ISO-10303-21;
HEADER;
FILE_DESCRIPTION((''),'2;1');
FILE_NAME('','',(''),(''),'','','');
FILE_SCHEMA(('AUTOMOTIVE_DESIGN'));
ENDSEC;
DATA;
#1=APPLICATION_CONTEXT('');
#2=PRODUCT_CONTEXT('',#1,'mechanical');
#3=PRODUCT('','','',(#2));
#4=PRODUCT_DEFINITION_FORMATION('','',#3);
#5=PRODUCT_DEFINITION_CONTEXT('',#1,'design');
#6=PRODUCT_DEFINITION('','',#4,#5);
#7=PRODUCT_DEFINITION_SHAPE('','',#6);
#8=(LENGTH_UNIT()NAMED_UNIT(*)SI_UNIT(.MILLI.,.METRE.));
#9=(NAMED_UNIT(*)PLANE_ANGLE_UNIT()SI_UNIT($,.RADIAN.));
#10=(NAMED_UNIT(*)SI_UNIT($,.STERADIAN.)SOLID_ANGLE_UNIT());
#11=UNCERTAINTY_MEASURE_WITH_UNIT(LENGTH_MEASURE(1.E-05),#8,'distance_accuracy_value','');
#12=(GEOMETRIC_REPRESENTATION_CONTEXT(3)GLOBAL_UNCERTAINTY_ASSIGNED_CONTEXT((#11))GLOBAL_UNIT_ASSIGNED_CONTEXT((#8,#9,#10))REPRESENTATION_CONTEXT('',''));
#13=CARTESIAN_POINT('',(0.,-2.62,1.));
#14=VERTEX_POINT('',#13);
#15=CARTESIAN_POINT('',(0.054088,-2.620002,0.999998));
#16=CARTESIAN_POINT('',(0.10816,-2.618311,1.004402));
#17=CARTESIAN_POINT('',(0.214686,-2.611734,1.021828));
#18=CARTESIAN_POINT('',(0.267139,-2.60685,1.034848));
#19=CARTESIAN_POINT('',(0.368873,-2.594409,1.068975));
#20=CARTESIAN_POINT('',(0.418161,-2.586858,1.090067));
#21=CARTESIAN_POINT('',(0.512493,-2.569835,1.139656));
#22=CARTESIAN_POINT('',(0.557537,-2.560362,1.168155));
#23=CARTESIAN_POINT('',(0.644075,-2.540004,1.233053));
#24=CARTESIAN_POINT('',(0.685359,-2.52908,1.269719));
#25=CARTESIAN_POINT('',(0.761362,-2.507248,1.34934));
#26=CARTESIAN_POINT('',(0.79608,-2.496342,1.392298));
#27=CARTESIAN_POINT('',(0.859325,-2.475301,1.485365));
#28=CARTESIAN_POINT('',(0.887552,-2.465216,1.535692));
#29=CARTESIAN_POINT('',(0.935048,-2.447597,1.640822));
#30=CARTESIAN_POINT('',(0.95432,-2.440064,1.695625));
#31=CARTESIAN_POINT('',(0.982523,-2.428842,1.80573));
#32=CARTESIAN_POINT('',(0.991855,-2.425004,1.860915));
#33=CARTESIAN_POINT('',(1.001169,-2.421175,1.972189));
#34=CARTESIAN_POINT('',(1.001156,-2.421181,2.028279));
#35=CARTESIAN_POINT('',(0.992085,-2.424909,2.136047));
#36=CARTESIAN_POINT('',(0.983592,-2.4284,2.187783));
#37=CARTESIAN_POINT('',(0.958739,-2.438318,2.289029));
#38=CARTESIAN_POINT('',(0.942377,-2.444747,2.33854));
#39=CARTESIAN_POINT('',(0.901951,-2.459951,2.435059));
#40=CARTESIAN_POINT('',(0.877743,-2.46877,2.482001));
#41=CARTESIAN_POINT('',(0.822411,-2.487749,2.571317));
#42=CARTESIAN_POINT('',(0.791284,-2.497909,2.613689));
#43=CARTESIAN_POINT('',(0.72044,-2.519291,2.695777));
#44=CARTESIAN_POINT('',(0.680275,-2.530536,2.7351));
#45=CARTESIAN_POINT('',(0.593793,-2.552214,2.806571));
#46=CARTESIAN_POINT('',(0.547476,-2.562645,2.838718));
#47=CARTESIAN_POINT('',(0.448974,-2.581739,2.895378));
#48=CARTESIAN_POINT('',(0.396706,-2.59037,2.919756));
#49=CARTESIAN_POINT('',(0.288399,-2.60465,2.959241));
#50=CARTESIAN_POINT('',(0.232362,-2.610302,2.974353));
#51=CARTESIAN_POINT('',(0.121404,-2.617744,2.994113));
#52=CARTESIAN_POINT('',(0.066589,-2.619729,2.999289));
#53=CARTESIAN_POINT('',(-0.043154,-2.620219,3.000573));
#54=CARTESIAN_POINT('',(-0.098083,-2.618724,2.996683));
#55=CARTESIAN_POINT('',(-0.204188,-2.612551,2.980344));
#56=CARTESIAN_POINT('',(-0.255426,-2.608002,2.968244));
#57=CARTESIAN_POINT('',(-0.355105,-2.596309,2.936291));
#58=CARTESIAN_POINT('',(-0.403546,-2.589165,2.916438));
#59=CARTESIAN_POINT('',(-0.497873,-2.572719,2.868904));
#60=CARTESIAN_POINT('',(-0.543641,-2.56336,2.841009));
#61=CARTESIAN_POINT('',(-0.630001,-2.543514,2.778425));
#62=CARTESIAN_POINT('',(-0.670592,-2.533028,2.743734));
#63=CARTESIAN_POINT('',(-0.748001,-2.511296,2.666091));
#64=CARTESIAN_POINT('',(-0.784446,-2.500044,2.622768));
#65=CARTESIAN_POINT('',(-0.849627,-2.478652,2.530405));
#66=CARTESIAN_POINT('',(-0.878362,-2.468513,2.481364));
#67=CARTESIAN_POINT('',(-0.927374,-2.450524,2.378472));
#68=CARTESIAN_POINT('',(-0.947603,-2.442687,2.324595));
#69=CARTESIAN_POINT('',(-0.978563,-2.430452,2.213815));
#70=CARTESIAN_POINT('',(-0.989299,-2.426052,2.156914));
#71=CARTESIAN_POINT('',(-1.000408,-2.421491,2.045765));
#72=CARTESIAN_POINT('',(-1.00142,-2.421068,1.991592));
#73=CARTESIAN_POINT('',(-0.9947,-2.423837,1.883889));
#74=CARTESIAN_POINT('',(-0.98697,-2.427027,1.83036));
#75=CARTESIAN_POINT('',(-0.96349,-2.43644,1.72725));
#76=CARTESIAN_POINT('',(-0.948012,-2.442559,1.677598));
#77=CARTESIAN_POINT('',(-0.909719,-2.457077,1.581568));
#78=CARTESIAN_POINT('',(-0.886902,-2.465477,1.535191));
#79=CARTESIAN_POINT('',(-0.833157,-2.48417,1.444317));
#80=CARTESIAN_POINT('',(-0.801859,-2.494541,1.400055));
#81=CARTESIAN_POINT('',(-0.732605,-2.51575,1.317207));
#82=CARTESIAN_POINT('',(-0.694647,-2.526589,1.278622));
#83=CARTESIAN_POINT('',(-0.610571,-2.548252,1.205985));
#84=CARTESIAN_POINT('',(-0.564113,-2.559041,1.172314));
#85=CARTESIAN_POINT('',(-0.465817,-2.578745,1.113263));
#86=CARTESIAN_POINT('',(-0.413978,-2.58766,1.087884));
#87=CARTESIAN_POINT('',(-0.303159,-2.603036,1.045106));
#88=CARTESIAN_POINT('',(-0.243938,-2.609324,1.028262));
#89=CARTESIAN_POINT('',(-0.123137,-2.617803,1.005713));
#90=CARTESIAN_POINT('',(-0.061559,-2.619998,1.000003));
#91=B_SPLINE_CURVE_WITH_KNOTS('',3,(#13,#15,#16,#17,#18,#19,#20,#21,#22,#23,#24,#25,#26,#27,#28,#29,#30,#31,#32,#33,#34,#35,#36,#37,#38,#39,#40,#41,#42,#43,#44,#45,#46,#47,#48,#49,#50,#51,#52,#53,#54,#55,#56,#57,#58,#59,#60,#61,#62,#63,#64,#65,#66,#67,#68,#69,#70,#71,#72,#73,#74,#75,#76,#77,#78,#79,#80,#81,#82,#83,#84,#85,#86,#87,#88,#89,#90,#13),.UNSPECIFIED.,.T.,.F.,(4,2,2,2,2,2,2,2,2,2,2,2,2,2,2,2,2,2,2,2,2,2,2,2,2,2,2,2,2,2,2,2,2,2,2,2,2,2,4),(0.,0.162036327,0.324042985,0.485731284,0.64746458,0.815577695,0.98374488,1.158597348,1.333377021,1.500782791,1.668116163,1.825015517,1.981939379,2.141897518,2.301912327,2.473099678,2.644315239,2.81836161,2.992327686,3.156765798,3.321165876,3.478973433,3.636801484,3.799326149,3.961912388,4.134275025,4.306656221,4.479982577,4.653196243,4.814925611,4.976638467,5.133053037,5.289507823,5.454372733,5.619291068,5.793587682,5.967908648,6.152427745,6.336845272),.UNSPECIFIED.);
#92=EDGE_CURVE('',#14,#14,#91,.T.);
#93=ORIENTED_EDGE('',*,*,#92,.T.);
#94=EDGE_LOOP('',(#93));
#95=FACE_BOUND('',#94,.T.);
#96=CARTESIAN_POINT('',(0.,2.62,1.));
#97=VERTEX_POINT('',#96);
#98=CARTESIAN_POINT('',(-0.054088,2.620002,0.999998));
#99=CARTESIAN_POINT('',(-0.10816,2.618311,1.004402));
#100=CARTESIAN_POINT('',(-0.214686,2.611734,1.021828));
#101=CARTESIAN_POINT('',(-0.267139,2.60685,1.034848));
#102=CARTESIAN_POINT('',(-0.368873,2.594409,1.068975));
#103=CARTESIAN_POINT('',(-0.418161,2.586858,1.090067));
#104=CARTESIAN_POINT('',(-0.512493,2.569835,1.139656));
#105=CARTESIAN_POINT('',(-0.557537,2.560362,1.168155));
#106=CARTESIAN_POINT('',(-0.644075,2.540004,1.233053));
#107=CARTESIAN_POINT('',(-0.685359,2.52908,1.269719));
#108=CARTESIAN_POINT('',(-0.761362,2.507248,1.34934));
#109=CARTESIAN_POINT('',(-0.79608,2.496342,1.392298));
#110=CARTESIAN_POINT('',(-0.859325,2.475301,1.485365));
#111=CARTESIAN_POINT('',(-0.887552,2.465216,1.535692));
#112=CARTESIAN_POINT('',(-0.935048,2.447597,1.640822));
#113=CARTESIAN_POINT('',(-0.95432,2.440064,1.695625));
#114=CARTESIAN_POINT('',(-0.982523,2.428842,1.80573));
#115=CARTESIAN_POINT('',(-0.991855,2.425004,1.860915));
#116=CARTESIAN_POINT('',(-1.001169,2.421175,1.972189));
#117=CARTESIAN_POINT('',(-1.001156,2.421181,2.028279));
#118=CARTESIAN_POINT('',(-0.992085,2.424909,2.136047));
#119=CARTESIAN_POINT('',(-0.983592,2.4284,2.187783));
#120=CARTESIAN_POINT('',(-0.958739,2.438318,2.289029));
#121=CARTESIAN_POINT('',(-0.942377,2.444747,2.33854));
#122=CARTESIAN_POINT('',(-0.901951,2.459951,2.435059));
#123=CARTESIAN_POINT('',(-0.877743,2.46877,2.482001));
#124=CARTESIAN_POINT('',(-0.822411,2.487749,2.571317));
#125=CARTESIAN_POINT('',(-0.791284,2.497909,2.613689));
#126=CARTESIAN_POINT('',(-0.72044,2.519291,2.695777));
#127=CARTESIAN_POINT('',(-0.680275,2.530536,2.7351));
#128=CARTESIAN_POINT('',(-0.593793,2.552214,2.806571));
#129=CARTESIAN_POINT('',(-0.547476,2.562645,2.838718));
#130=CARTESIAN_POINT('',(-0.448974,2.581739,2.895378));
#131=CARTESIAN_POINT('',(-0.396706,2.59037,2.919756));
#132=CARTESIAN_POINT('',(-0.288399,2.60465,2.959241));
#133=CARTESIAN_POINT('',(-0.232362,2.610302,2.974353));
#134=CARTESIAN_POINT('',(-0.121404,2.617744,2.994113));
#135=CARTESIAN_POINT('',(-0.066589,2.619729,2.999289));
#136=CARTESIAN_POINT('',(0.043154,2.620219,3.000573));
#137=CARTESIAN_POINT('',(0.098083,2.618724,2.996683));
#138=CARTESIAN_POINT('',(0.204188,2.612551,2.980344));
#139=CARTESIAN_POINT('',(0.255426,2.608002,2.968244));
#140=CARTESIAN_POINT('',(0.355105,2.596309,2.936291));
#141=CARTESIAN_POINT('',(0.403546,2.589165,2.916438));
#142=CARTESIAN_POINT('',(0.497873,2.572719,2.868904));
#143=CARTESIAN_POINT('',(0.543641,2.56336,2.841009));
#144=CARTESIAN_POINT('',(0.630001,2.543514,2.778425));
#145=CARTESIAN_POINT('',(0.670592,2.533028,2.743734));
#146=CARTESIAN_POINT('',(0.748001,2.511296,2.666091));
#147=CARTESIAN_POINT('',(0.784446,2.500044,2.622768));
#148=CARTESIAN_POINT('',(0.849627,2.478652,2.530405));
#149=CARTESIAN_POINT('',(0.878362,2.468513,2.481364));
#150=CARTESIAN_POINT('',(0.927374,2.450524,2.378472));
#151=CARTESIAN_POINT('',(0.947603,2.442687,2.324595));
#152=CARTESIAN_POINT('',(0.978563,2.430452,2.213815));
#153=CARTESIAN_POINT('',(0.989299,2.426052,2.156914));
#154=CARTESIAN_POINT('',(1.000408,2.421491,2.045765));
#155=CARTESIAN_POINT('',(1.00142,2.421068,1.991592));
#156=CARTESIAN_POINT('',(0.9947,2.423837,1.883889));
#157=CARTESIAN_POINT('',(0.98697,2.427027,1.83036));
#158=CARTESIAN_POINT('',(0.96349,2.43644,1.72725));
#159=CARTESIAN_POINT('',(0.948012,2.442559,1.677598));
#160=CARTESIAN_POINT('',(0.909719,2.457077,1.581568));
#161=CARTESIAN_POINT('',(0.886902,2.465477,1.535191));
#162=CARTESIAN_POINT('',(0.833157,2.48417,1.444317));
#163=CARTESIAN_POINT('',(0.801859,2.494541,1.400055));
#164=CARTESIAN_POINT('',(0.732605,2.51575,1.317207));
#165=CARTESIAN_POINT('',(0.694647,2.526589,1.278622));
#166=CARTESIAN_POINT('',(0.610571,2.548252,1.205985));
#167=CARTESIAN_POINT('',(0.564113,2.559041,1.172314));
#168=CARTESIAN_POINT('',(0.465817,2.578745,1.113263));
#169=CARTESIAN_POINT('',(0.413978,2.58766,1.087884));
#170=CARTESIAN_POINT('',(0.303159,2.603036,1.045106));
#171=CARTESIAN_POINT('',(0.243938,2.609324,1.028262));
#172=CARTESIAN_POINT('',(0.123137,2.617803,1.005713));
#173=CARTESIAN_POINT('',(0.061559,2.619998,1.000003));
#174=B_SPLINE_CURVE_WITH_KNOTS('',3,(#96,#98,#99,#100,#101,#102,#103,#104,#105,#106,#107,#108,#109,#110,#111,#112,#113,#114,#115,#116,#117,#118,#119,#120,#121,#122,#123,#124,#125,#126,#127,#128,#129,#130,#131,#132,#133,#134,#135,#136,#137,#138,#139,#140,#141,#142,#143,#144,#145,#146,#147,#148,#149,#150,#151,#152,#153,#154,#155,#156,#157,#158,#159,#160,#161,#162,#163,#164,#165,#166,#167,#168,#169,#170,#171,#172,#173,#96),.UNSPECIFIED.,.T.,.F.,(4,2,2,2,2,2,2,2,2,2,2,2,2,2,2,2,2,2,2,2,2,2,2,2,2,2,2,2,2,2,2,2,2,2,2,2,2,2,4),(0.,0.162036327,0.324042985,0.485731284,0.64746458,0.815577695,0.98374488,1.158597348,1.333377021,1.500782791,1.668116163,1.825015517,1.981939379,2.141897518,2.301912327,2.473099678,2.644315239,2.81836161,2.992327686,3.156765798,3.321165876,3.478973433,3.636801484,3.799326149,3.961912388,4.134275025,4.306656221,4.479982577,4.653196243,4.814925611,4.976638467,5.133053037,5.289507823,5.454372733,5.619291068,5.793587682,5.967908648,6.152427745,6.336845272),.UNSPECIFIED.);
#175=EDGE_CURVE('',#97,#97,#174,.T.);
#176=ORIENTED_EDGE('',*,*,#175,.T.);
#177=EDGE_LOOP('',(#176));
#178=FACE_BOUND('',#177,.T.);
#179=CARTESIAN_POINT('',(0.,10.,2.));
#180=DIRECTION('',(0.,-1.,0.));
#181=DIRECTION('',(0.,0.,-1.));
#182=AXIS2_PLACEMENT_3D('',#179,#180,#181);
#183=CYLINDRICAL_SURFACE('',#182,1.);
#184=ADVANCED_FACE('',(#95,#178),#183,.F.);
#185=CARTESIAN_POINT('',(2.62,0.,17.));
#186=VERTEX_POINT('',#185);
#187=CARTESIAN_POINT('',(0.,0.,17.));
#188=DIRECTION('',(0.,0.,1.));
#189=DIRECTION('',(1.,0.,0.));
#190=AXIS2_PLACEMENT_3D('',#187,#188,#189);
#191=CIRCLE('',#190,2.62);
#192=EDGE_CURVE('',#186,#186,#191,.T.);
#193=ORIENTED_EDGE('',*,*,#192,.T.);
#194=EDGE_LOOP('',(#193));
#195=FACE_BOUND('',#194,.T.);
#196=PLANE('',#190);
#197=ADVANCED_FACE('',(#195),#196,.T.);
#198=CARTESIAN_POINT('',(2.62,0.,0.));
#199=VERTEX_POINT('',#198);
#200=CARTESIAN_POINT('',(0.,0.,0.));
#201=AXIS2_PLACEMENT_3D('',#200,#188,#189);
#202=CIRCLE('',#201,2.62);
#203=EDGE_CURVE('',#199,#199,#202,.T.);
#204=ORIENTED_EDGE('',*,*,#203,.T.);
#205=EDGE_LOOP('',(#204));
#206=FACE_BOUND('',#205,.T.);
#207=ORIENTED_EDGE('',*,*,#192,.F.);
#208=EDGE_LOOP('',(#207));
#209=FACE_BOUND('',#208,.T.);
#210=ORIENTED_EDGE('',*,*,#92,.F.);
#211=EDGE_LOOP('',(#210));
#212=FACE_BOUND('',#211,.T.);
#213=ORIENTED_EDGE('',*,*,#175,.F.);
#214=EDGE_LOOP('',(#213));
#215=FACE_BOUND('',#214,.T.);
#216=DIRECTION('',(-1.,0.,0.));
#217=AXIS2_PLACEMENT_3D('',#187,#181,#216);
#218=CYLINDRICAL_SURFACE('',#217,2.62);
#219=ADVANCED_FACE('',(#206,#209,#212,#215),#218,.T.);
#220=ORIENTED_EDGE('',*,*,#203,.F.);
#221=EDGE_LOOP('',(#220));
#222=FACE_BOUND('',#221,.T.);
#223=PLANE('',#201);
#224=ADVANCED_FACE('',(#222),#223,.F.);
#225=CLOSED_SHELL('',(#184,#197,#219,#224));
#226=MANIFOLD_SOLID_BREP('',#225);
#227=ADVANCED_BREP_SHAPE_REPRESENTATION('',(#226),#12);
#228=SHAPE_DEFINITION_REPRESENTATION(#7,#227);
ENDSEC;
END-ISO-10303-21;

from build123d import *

# Parameters (mm, degrees)
SKETCH1_R               = 2.62
BOSS_EXTRUDE1_DEPTH     = 17
CUT_EXTRUDE1_DEPTH      = 10
CUT_EXTRUDE1_DEPTH_BACK = 10
SKETCH2_R               = 1


with BuildPart() as part:
    # Sketch1 → Boss-Extrude1 (new body)
    with BuildSketch(Plane.XY):
        Circle(SKETCH1_R)
    extrude(amount=BOSS_EXTRUDE1_DEPTH)

    # Sketch2 → Cut-Extrude1 (cut, two sides: drawn at the far end of the back side and taken through both)
    with BuildSketch(Plane(origin=(0, 0, 0), x_dir=(1, 0, 0), z_dir=(0, 1, 0)).offset(-CUT_EXTRUDE1_DEPTH_BACK)):
        with Locations((0, -2)):
            Circle(SKETCH2_R)
    extrude(amount=CUT_EXTRUDE1_DEPTH + CUT_EXTRUDE1_DEPTH_BACK, mode=Mode.SUBTRACT)


solid = part.part
